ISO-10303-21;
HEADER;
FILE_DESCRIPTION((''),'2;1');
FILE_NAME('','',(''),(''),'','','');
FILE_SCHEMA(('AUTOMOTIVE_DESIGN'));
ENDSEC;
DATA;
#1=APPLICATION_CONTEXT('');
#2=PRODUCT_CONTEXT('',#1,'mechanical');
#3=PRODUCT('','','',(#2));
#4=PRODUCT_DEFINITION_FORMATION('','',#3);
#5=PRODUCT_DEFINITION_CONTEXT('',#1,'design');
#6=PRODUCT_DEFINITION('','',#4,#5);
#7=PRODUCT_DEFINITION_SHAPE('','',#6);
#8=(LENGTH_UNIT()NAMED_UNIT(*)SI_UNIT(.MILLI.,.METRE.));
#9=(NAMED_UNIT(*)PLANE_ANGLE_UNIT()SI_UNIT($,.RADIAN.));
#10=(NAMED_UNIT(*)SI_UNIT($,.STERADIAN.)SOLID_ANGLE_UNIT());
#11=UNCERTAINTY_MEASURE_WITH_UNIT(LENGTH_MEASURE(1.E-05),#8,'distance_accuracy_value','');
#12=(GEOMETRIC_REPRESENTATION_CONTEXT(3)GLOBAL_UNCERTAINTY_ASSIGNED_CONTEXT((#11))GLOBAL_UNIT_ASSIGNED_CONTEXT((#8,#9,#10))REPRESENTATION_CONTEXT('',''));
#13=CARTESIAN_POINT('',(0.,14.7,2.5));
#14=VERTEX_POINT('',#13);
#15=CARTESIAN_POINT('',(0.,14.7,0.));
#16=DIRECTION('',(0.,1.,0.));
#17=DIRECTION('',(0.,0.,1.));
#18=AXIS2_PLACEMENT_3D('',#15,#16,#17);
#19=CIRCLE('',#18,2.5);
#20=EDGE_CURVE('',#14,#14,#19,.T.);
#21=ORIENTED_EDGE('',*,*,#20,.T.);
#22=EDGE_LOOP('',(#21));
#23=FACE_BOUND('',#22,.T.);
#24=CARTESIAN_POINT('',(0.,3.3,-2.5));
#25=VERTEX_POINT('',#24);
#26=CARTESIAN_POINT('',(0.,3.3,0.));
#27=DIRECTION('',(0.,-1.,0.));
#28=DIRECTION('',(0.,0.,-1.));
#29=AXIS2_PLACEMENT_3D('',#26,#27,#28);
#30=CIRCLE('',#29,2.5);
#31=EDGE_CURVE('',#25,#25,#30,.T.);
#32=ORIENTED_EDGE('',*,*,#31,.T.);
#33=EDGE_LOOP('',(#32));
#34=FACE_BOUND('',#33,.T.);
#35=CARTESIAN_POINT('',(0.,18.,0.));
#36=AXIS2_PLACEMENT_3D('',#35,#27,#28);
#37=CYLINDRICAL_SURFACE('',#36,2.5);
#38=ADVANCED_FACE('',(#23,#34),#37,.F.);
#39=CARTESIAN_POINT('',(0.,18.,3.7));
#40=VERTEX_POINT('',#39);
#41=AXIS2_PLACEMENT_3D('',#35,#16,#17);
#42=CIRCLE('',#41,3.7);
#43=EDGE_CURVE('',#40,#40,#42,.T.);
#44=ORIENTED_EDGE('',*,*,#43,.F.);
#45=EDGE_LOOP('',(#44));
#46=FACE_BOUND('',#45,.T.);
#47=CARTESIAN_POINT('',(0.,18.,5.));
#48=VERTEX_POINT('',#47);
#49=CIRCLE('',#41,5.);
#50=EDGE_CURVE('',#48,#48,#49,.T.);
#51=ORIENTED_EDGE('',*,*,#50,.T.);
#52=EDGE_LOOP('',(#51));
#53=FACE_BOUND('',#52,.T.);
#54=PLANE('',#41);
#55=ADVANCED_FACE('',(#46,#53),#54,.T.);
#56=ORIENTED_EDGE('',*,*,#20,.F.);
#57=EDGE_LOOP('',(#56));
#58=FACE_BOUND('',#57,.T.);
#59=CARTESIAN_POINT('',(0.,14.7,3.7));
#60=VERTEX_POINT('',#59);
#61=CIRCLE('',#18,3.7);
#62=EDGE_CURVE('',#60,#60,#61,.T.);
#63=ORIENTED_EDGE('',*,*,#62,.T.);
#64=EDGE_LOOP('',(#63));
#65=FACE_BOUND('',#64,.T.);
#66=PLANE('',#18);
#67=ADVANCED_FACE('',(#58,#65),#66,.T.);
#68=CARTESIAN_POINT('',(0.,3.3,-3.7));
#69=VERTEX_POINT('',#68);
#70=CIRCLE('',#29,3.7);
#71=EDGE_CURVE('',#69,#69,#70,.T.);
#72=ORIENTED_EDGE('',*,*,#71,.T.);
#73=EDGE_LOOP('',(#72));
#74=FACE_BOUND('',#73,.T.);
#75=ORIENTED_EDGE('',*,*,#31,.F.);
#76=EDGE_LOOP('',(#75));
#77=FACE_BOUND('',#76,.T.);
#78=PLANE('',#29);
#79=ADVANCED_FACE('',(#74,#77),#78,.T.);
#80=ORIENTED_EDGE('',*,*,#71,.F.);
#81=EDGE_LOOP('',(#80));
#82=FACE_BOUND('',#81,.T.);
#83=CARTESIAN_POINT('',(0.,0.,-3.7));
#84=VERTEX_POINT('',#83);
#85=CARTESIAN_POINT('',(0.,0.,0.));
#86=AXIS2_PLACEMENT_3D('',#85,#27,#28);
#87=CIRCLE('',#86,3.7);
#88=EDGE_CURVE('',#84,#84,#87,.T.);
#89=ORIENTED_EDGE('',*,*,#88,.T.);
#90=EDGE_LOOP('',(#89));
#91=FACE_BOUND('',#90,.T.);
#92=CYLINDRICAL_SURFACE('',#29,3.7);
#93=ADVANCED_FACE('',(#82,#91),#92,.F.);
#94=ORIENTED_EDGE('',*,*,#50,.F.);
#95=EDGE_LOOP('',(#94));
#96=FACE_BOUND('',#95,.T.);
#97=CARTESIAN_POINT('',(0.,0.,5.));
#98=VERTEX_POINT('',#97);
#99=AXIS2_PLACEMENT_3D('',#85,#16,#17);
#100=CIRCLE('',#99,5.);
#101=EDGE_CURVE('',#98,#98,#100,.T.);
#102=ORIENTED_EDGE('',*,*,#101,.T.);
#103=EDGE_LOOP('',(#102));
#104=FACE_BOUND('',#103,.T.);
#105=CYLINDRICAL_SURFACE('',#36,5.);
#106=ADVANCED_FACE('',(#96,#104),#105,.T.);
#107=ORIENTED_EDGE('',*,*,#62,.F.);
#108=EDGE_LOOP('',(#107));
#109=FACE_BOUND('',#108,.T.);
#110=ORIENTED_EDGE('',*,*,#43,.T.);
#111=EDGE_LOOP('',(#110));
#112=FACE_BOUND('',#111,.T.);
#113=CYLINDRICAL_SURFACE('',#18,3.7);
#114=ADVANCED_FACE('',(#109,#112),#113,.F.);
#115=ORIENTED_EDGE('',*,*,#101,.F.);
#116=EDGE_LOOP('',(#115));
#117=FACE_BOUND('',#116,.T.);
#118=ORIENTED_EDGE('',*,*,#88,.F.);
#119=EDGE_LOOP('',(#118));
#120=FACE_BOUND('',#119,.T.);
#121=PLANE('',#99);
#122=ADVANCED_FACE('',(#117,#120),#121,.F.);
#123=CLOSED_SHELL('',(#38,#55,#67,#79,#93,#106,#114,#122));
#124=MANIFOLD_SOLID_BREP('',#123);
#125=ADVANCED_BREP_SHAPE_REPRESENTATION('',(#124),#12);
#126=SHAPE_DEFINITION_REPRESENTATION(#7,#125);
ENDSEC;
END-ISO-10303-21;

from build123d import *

# Parameters (mm, degrees)
SKETCH1_R           = 5
SKETCH1_R_2         = 2.5
BOSS_EXTRUDE1_DEPTH = 18
SKETCH2_R           = 3.7
SKETCH2_R_2         = 2.5
CUT_EXTRUDE1_DEPTH  = 3.3
CUT_EXTRUDE2_START  = -14.7
SKETCH2_2_R         = 3.7
SKETCH2_2_R_2       = 2.5
CUT_EXTRUDE2_DEPTH  = 3.3


with BuildPart() as part:
    # Sketch1 → Boss-Extrude1 (new body)
    with BuildSketch(Plane(origin=(0, 0, 0), x_dir=(1, 0, 0), z_dir=(0, 1, 0))):
        with Locations(Location((0, 0, 0), (0, 0, 270))):
            Circle(SKETCH1_R)
        with Locations(Location((0, 0, 0), (0, 0, 270))):
            Circle(SKETCH1_R_2, mode=Mode.SUBTRACT)
    extrude(amount=BOSS_EXTRUDE1_DEPTH)

    # Sketch2 → Cut-Extrude1 (cut)
    with BuildSketch(Plane.XZ):
        with Locations(Location((0, 0, 0), (0, 0, 270))):
            Circle(SKETCH2_R)
        with Locations(Location((0, 0, 0), (0, 0, 270))):
            Circle(SKETCH2_R_2, mode=Mode.SUBTRACT)
    extrude(amount=-CUT_EXTRUDE1_DEPTH, mode=Mode.SUBTRACT)

    # Sketch2<2> → Cut-Extrude2 (cut)
    with BuildSketch(Plane.XZ.offset(CUT_EXTRUDE2_START)):
        with Locations(Location((0, 0, 0), (0, 0, 270))):
            Circle(SKETCH2_2_R)
        with Locations(Location((0, 0, 0), (0, 0, 270))):
            Circle(SKETCH2_2_R_2, mode=Mode.SUBTRACT)
    extrude(amount=-CUT_EXTRUDE2_DEPTH, mode=Mode.SUBTRACT)


solid = part.part
